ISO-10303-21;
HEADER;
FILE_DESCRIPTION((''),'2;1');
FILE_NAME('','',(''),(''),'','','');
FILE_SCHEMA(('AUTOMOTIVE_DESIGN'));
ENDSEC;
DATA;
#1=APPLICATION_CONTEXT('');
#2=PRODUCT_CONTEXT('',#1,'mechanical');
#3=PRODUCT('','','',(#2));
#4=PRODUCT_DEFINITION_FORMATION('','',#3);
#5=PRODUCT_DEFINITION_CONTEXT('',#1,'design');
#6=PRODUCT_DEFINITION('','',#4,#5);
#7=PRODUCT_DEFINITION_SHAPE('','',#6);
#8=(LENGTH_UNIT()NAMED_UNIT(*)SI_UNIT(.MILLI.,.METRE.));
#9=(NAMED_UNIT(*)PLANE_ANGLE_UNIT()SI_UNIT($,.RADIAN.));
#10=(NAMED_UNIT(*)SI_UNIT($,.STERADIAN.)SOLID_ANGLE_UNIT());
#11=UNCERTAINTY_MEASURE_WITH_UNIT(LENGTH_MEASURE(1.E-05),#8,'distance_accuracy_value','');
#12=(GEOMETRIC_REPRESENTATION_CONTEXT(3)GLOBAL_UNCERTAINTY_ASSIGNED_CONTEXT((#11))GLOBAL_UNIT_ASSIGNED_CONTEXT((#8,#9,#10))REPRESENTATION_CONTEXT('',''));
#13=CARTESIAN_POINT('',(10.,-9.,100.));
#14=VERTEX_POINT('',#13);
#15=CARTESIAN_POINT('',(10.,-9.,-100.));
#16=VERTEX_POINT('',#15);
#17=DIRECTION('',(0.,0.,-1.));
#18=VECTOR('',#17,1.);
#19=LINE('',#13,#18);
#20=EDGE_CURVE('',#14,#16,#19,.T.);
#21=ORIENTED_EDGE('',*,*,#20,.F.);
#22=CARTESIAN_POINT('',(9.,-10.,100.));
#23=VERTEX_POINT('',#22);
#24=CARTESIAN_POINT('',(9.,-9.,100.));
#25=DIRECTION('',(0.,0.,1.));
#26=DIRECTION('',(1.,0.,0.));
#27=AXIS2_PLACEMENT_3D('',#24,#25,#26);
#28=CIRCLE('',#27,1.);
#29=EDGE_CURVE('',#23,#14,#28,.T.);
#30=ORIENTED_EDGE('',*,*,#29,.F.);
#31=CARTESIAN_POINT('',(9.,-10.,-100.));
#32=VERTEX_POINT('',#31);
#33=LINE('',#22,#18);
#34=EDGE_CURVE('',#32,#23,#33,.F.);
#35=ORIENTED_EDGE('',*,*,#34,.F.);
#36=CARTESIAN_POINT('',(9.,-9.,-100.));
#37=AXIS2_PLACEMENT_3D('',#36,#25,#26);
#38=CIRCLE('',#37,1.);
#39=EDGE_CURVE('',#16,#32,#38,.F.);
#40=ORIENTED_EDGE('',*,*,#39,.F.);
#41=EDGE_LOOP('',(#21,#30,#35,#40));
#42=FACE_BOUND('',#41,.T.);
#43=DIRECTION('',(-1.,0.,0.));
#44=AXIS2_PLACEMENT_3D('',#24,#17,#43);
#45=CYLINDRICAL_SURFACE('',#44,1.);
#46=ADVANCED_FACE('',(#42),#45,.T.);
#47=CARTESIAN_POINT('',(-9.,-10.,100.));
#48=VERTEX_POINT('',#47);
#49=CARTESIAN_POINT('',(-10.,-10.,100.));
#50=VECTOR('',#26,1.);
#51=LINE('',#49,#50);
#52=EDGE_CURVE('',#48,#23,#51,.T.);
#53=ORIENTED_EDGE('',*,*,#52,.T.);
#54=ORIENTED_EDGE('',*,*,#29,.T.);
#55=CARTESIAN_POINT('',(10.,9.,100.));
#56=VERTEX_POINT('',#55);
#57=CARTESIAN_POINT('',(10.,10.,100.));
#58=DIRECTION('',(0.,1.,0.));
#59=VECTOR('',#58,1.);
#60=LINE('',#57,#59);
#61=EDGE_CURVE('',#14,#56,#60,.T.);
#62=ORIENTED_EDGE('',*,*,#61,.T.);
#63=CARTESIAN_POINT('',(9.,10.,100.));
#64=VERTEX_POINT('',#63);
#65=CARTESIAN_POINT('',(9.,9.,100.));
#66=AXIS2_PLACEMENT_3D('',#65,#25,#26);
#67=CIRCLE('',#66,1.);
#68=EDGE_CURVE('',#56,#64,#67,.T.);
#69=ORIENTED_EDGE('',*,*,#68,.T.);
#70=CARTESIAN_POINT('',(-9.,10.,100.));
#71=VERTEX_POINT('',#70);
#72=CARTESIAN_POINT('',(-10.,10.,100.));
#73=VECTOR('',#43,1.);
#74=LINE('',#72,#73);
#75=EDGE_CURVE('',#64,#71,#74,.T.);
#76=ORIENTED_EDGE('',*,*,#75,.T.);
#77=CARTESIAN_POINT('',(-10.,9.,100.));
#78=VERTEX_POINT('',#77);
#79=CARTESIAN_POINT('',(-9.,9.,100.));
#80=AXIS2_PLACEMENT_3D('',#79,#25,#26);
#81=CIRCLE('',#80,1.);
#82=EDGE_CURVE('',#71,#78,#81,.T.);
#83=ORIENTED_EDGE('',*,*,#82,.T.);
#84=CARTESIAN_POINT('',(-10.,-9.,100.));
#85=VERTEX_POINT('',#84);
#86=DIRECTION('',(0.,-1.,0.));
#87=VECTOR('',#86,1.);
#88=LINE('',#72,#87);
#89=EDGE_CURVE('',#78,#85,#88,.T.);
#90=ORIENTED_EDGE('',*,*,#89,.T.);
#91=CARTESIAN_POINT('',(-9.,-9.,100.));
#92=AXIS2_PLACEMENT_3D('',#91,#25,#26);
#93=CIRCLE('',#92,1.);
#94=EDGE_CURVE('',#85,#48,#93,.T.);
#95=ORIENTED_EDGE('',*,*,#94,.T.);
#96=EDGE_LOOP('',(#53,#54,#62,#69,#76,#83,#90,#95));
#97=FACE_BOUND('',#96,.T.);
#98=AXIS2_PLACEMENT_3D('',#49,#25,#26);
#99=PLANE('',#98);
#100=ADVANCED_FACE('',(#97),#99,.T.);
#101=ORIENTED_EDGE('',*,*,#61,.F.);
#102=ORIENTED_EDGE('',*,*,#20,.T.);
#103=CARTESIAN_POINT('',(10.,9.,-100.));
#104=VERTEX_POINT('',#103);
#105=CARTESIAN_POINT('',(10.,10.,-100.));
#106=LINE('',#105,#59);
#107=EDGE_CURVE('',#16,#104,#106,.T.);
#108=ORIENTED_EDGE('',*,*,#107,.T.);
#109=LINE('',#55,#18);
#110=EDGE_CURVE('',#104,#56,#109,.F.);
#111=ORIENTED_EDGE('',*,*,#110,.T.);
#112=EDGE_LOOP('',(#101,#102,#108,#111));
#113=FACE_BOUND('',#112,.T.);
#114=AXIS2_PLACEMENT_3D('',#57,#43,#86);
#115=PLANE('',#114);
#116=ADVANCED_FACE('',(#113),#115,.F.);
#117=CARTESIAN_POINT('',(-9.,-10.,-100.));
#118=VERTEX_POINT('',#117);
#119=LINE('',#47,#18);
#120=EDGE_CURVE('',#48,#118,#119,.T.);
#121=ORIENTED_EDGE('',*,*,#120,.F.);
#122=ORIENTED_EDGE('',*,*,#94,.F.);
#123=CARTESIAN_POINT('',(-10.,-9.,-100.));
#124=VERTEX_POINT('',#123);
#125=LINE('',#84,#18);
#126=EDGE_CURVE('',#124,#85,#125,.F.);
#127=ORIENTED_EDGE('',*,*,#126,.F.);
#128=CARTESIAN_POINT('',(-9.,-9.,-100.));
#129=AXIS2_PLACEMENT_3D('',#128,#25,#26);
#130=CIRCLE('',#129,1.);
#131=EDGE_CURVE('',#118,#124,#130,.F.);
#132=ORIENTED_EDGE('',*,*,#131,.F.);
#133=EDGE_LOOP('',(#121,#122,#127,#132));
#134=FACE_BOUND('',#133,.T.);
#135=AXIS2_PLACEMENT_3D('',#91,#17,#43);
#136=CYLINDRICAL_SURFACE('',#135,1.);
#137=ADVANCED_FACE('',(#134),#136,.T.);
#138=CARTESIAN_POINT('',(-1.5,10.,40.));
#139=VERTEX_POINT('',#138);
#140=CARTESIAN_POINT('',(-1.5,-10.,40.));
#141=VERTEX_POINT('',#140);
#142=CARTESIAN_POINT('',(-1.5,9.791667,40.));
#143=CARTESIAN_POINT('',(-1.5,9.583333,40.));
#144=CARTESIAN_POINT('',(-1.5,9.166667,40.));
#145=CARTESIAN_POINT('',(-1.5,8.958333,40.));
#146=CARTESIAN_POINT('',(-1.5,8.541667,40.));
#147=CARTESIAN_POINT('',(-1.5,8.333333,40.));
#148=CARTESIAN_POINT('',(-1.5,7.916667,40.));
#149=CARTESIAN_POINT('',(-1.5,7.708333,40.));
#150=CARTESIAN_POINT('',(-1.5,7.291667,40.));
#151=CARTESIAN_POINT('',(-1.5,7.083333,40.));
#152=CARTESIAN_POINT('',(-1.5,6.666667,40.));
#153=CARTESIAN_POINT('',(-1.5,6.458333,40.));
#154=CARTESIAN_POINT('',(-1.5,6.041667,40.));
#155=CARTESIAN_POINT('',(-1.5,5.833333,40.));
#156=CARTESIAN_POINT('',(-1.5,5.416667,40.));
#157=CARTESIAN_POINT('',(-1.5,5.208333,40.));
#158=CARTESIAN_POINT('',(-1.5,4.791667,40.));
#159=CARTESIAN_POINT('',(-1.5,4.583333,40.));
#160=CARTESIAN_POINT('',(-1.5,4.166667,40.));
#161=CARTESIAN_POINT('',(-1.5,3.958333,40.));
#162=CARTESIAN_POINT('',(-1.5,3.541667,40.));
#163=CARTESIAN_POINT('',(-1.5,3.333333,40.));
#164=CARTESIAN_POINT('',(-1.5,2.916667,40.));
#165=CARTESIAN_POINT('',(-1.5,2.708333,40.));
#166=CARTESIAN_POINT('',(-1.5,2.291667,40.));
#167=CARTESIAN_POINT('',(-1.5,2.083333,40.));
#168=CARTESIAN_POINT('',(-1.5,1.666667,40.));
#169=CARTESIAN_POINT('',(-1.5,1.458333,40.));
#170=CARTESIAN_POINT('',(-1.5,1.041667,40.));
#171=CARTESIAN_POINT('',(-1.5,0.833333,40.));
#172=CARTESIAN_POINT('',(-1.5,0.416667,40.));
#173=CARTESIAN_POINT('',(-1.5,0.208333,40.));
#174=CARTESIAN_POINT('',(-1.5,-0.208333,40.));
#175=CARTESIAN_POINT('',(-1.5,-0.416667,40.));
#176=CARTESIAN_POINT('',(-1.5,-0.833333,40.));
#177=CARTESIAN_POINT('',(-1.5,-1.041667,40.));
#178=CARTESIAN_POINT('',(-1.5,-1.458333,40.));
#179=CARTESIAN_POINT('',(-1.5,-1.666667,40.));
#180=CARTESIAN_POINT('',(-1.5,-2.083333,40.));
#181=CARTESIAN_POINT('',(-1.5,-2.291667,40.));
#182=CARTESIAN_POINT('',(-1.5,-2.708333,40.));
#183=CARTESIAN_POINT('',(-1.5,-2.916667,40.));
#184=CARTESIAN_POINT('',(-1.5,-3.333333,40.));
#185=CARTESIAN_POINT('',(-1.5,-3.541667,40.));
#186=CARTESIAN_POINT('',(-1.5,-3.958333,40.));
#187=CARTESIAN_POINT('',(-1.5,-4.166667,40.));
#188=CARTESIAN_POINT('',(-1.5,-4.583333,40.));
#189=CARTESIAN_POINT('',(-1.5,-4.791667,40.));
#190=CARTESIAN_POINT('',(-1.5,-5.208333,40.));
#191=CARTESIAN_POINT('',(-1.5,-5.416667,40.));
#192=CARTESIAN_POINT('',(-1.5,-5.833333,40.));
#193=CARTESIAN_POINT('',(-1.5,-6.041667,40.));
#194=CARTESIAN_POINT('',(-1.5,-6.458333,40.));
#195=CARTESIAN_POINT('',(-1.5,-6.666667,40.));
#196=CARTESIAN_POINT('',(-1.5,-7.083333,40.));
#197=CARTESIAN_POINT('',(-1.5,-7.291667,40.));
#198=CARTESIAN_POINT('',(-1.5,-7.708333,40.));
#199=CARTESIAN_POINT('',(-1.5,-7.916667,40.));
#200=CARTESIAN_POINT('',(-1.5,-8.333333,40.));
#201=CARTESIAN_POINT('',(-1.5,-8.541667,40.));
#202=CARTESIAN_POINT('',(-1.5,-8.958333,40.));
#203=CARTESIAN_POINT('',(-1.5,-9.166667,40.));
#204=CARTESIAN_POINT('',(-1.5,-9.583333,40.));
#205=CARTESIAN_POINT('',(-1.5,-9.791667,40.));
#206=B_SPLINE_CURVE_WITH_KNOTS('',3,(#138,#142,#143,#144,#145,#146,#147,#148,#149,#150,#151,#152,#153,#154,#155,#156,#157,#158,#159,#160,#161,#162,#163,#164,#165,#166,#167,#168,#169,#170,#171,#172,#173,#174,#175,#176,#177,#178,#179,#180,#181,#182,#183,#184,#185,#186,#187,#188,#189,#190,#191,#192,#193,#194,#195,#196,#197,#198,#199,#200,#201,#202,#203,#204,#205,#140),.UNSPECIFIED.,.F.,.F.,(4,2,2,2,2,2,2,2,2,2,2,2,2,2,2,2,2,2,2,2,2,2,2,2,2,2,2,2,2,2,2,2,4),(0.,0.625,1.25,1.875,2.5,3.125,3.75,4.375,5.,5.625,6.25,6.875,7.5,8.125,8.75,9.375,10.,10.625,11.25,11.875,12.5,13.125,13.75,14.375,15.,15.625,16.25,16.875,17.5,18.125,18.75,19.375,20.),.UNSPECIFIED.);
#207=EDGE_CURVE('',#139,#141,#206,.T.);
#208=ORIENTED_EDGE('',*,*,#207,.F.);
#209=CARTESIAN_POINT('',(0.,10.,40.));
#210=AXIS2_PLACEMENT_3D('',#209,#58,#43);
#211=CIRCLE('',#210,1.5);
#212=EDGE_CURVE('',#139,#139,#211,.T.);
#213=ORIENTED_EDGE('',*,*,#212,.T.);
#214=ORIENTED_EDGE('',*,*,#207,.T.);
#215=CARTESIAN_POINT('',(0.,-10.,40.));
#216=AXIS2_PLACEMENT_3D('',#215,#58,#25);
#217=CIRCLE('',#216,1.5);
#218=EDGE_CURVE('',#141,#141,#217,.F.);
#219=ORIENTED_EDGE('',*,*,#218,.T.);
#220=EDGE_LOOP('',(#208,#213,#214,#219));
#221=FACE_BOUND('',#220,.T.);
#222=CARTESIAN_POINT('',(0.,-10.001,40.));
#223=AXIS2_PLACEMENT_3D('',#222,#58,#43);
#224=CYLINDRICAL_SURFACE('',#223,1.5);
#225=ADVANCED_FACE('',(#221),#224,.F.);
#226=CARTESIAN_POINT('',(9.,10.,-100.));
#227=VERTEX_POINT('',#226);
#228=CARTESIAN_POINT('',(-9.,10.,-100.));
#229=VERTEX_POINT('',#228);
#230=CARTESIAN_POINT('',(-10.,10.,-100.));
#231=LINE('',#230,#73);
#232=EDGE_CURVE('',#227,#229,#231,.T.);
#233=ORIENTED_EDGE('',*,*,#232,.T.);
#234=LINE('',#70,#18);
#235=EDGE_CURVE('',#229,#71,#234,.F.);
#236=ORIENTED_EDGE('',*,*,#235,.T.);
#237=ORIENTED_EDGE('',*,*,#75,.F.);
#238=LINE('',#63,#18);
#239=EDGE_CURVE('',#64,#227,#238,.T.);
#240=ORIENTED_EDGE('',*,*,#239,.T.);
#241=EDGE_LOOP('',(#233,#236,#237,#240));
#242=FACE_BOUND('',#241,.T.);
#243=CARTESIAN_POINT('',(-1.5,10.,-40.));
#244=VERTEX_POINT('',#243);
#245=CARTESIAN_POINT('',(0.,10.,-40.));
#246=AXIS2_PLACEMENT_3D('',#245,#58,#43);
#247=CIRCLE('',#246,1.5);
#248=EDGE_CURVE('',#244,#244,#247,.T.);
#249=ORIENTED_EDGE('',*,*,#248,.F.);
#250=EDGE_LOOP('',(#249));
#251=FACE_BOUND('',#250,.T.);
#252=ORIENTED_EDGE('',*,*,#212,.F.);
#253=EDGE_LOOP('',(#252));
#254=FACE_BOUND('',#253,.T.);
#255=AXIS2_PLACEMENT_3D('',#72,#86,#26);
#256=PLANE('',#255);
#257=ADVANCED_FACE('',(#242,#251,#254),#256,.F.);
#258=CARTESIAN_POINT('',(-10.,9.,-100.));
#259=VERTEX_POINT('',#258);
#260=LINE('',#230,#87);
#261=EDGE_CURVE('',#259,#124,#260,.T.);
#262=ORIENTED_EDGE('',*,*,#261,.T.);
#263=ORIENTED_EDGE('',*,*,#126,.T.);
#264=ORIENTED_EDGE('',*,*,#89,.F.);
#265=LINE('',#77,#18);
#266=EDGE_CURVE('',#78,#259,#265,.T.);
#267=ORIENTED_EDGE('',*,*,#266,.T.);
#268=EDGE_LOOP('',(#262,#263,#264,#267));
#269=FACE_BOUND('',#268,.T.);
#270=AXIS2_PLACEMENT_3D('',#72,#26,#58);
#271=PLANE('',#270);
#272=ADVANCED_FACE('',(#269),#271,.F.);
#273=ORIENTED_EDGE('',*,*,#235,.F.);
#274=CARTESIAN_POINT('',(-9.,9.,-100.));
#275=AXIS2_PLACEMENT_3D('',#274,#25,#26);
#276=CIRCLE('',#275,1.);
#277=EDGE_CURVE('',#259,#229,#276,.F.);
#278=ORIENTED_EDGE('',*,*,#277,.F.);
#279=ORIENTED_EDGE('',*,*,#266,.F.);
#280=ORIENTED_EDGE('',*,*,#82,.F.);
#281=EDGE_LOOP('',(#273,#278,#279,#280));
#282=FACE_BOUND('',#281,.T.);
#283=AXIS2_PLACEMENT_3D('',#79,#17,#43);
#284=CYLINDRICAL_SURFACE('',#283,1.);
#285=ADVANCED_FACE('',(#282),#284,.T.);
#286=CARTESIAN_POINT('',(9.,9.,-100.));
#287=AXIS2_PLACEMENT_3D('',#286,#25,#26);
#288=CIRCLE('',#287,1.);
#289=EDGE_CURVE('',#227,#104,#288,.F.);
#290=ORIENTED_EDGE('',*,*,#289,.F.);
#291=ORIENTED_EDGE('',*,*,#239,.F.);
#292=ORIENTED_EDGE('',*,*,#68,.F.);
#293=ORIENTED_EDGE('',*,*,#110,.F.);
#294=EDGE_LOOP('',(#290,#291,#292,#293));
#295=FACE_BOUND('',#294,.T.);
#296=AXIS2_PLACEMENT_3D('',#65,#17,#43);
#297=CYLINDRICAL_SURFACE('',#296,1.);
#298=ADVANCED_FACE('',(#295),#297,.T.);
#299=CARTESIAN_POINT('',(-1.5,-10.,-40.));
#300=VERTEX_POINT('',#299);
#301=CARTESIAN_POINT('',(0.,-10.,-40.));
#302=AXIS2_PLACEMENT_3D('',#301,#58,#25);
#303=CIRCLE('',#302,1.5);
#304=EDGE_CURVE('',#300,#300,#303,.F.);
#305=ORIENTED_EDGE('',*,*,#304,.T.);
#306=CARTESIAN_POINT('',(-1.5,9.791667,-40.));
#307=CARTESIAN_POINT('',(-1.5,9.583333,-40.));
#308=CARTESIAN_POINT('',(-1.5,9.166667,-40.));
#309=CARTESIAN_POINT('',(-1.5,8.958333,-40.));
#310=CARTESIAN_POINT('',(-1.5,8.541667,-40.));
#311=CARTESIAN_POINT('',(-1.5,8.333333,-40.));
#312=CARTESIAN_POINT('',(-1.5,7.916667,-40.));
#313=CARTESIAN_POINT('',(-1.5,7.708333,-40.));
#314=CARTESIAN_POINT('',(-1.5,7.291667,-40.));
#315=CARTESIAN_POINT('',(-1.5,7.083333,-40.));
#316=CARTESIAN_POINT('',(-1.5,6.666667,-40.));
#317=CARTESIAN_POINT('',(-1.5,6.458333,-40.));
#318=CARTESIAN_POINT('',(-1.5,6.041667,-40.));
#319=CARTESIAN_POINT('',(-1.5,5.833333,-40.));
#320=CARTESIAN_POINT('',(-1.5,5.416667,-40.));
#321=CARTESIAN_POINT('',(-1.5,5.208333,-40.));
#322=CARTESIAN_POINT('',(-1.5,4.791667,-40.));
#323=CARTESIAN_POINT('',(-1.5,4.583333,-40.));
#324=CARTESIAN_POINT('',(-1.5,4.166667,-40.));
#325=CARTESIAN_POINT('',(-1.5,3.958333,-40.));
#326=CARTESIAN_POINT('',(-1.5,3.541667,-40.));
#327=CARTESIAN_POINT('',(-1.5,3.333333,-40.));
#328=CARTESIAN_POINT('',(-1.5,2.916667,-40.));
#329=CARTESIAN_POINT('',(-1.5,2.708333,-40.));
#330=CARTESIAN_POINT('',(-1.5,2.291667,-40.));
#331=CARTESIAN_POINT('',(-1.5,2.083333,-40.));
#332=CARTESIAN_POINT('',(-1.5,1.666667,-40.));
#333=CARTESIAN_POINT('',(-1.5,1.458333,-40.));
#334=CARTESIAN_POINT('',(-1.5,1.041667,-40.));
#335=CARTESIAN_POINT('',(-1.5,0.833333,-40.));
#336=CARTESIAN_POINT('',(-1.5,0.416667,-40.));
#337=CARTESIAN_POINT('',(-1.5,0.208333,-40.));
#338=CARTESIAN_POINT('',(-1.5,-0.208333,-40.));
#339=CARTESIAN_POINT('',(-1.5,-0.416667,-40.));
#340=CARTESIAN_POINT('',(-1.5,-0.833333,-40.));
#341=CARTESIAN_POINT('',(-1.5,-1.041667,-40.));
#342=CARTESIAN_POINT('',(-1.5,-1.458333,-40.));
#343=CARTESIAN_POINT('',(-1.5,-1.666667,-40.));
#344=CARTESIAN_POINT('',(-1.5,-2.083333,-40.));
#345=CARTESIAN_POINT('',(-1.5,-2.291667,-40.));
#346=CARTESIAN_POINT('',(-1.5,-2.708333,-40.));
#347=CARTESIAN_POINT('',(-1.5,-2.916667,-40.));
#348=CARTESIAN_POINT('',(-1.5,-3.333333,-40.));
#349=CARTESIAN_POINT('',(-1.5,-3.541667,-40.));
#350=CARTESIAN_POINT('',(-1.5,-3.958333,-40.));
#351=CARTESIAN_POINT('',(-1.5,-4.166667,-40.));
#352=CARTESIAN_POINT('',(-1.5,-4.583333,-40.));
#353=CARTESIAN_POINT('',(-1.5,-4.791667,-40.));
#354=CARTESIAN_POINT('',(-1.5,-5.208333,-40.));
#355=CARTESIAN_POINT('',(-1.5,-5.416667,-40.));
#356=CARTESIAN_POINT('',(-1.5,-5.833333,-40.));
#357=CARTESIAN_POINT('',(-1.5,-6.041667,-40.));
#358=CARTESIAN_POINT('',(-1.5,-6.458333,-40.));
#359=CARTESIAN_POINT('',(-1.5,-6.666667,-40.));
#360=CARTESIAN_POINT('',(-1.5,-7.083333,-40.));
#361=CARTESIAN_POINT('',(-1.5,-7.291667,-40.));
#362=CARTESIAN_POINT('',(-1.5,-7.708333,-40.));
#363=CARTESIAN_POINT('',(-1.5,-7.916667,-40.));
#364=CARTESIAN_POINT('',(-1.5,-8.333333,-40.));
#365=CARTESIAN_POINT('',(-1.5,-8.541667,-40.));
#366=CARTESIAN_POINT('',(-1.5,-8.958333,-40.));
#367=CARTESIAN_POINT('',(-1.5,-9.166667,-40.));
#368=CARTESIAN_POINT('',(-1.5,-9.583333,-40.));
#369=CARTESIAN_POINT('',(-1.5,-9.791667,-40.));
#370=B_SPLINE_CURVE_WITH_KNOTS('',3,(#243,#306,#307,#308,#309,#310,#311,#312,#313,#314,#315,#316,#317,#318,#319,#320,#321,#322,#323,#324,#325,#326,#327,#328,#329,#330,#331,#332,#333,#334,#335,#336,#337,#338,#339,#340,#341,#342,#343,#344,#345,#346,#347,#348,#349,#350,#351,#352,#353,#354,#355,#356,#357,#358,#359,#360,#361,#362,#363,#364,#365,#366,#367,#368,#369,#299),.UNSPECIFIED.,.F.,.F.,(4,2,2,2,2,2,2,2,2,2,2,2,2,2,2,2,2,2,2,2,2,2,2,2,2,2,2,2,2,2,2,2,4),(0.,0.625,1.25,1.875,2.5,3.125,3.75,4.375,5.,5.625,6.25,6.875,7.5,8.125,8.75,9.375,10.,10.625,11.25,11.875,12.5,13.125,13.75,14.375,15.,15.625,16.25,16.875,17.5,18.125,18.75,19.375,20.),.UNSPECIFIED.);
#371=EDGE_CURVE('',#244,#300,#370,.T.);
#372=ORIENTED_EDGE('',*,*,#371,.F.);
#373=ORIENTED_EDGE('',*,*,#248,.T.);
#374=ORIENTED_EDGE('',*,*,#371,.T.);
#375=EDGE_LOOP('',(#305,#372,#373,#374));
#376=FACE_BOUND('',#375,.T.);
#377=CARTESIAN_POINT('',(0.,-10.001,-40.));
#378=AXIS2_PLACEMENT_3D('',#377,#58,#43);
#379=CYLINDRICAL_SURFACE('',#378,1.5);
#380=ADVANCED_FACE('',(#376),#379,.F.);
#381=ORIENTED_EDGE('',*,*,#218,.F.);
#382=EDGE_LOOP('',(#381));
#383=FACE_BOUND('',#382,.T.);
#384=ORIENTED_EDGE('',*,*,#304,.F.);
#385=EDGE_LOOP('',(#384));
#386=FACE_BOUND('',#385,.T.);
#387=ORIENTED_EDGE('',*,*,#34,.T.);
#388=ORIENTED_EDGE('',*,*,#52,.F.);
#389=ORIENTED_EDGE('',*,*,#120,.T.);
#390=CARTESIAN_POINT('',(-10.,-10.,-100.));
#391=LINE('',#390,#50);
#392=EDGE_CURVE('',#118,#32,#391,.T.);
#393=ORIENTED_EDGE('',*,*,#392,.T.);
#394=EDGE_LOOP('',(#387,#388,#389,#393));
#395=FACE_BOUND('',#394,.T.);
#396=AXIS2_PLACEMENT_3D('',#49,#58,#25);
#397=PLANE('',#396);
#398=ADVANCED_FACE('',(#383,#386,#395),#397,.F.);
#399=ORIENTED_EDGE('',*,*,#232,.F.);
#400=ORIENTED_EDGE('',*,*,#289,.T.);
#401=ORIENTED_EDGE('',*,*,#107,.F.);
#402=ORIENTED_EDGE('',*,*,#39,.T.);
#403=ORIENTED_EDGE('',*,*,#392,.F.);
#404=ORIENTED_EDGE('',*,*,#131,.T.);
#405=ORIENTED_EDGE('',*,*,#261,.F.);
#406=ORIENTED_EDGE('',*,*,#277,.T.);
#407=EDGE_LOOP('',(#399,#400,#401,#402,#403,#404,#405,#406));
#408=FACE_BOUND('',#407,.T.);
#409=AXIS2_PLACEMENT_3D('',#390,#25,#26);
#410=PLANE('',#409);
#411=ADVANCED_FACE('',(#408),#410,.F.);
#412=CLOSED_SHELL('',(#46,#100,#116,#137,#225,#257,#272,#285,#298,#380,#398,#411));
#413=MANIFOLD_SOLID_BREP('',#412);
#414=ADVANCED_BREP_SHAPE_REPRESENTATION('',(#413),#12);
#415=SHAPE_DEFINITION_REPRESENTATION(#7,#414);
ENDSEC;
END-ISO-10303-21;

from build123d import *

# Parameters (mm, degrees)
SKETCH_1_W          = 20
SKETCH_1_H          = 20
EXTRUDE_1_DEPTH     = 100
FILLET_1_R          = 1
CUT_EXTRUDE_1_REACH = 104.47
SKETCH_2_R          = 1.5


with BuildPart() as part:
    # ｽｹｯﾁ1 → ﾎﾞｽ - 押し出し1 (new, symmetric)
    with BuildSketch(Plane.XY):
        Rectangle(SKETCH_1_W, SKETCH_1_H)
    extrude(amount=EXTRUDE_1_DEPTH, both=True)

    # ﾌｨﾚｯﾄ1
    fillet_1_edges = [part.edges().sort_by_distance(p)[0] for p in [
        (-10, 10, 0),
        (10, 10, 0),
        (10, -10, 0),
        (-10, -10, 0),
    ]]
    fillet(fillet_1_edges, radius=FILLET_1_R)

    # ｽｹｯﾁ2 → ｶｯﾄ - 押し出し1 (cut, up to next)
    with BuildSketch(Plane(origin=(0, 10, 0), x_dir=(1, 0, 0), z_dir=(0, 1, 0)), mode=Mode.PRIVATE) as cut_extrude_1_sk1:
        with Locations(Location((0, 40, 0), (0, 0, 180))):
            Circle(SKETCH_2_R)
    cut_extrude_1_tool1 = extrude(cut_extrude_1_sk1.sketch, amount=-CUT_EXTRUDE_1_REACH, mode=Mode.PRIVATE) & part.part
    # ｽｹｯﾁ2 → ｶｯﾄ - 押し出し1 (cut, up to next)
    with BuildSketch(Plane(origin=(0, 10, 0), x_dir=(1, 0, 0), z_dir=(0, 1, 0)), mode=Mode.PRIVATE) as cut_extrude_1_sk2:
        with Locations(Location((0, -40, 0), (0, 0, 180))):
            Circle(SKETCH_2_R)
    cut_extrude_1_tool2 = extrude(cut_extrude_1_sk2.sketch, amount=-CUT_EXTRUDE_1_REACH, mode=Mode.PRIVATE) & part.part
    add(cut_extrude_1_tool1.solids().sort_by_distance((0, 10, -40))[0], mode=Mode.SUBTRACT)
    add(cut_extrude_1_tool2.solids().sort_by_distance((0, 10, 40))[0], mode=Mode.SUBTRACT)


solid = part.part
